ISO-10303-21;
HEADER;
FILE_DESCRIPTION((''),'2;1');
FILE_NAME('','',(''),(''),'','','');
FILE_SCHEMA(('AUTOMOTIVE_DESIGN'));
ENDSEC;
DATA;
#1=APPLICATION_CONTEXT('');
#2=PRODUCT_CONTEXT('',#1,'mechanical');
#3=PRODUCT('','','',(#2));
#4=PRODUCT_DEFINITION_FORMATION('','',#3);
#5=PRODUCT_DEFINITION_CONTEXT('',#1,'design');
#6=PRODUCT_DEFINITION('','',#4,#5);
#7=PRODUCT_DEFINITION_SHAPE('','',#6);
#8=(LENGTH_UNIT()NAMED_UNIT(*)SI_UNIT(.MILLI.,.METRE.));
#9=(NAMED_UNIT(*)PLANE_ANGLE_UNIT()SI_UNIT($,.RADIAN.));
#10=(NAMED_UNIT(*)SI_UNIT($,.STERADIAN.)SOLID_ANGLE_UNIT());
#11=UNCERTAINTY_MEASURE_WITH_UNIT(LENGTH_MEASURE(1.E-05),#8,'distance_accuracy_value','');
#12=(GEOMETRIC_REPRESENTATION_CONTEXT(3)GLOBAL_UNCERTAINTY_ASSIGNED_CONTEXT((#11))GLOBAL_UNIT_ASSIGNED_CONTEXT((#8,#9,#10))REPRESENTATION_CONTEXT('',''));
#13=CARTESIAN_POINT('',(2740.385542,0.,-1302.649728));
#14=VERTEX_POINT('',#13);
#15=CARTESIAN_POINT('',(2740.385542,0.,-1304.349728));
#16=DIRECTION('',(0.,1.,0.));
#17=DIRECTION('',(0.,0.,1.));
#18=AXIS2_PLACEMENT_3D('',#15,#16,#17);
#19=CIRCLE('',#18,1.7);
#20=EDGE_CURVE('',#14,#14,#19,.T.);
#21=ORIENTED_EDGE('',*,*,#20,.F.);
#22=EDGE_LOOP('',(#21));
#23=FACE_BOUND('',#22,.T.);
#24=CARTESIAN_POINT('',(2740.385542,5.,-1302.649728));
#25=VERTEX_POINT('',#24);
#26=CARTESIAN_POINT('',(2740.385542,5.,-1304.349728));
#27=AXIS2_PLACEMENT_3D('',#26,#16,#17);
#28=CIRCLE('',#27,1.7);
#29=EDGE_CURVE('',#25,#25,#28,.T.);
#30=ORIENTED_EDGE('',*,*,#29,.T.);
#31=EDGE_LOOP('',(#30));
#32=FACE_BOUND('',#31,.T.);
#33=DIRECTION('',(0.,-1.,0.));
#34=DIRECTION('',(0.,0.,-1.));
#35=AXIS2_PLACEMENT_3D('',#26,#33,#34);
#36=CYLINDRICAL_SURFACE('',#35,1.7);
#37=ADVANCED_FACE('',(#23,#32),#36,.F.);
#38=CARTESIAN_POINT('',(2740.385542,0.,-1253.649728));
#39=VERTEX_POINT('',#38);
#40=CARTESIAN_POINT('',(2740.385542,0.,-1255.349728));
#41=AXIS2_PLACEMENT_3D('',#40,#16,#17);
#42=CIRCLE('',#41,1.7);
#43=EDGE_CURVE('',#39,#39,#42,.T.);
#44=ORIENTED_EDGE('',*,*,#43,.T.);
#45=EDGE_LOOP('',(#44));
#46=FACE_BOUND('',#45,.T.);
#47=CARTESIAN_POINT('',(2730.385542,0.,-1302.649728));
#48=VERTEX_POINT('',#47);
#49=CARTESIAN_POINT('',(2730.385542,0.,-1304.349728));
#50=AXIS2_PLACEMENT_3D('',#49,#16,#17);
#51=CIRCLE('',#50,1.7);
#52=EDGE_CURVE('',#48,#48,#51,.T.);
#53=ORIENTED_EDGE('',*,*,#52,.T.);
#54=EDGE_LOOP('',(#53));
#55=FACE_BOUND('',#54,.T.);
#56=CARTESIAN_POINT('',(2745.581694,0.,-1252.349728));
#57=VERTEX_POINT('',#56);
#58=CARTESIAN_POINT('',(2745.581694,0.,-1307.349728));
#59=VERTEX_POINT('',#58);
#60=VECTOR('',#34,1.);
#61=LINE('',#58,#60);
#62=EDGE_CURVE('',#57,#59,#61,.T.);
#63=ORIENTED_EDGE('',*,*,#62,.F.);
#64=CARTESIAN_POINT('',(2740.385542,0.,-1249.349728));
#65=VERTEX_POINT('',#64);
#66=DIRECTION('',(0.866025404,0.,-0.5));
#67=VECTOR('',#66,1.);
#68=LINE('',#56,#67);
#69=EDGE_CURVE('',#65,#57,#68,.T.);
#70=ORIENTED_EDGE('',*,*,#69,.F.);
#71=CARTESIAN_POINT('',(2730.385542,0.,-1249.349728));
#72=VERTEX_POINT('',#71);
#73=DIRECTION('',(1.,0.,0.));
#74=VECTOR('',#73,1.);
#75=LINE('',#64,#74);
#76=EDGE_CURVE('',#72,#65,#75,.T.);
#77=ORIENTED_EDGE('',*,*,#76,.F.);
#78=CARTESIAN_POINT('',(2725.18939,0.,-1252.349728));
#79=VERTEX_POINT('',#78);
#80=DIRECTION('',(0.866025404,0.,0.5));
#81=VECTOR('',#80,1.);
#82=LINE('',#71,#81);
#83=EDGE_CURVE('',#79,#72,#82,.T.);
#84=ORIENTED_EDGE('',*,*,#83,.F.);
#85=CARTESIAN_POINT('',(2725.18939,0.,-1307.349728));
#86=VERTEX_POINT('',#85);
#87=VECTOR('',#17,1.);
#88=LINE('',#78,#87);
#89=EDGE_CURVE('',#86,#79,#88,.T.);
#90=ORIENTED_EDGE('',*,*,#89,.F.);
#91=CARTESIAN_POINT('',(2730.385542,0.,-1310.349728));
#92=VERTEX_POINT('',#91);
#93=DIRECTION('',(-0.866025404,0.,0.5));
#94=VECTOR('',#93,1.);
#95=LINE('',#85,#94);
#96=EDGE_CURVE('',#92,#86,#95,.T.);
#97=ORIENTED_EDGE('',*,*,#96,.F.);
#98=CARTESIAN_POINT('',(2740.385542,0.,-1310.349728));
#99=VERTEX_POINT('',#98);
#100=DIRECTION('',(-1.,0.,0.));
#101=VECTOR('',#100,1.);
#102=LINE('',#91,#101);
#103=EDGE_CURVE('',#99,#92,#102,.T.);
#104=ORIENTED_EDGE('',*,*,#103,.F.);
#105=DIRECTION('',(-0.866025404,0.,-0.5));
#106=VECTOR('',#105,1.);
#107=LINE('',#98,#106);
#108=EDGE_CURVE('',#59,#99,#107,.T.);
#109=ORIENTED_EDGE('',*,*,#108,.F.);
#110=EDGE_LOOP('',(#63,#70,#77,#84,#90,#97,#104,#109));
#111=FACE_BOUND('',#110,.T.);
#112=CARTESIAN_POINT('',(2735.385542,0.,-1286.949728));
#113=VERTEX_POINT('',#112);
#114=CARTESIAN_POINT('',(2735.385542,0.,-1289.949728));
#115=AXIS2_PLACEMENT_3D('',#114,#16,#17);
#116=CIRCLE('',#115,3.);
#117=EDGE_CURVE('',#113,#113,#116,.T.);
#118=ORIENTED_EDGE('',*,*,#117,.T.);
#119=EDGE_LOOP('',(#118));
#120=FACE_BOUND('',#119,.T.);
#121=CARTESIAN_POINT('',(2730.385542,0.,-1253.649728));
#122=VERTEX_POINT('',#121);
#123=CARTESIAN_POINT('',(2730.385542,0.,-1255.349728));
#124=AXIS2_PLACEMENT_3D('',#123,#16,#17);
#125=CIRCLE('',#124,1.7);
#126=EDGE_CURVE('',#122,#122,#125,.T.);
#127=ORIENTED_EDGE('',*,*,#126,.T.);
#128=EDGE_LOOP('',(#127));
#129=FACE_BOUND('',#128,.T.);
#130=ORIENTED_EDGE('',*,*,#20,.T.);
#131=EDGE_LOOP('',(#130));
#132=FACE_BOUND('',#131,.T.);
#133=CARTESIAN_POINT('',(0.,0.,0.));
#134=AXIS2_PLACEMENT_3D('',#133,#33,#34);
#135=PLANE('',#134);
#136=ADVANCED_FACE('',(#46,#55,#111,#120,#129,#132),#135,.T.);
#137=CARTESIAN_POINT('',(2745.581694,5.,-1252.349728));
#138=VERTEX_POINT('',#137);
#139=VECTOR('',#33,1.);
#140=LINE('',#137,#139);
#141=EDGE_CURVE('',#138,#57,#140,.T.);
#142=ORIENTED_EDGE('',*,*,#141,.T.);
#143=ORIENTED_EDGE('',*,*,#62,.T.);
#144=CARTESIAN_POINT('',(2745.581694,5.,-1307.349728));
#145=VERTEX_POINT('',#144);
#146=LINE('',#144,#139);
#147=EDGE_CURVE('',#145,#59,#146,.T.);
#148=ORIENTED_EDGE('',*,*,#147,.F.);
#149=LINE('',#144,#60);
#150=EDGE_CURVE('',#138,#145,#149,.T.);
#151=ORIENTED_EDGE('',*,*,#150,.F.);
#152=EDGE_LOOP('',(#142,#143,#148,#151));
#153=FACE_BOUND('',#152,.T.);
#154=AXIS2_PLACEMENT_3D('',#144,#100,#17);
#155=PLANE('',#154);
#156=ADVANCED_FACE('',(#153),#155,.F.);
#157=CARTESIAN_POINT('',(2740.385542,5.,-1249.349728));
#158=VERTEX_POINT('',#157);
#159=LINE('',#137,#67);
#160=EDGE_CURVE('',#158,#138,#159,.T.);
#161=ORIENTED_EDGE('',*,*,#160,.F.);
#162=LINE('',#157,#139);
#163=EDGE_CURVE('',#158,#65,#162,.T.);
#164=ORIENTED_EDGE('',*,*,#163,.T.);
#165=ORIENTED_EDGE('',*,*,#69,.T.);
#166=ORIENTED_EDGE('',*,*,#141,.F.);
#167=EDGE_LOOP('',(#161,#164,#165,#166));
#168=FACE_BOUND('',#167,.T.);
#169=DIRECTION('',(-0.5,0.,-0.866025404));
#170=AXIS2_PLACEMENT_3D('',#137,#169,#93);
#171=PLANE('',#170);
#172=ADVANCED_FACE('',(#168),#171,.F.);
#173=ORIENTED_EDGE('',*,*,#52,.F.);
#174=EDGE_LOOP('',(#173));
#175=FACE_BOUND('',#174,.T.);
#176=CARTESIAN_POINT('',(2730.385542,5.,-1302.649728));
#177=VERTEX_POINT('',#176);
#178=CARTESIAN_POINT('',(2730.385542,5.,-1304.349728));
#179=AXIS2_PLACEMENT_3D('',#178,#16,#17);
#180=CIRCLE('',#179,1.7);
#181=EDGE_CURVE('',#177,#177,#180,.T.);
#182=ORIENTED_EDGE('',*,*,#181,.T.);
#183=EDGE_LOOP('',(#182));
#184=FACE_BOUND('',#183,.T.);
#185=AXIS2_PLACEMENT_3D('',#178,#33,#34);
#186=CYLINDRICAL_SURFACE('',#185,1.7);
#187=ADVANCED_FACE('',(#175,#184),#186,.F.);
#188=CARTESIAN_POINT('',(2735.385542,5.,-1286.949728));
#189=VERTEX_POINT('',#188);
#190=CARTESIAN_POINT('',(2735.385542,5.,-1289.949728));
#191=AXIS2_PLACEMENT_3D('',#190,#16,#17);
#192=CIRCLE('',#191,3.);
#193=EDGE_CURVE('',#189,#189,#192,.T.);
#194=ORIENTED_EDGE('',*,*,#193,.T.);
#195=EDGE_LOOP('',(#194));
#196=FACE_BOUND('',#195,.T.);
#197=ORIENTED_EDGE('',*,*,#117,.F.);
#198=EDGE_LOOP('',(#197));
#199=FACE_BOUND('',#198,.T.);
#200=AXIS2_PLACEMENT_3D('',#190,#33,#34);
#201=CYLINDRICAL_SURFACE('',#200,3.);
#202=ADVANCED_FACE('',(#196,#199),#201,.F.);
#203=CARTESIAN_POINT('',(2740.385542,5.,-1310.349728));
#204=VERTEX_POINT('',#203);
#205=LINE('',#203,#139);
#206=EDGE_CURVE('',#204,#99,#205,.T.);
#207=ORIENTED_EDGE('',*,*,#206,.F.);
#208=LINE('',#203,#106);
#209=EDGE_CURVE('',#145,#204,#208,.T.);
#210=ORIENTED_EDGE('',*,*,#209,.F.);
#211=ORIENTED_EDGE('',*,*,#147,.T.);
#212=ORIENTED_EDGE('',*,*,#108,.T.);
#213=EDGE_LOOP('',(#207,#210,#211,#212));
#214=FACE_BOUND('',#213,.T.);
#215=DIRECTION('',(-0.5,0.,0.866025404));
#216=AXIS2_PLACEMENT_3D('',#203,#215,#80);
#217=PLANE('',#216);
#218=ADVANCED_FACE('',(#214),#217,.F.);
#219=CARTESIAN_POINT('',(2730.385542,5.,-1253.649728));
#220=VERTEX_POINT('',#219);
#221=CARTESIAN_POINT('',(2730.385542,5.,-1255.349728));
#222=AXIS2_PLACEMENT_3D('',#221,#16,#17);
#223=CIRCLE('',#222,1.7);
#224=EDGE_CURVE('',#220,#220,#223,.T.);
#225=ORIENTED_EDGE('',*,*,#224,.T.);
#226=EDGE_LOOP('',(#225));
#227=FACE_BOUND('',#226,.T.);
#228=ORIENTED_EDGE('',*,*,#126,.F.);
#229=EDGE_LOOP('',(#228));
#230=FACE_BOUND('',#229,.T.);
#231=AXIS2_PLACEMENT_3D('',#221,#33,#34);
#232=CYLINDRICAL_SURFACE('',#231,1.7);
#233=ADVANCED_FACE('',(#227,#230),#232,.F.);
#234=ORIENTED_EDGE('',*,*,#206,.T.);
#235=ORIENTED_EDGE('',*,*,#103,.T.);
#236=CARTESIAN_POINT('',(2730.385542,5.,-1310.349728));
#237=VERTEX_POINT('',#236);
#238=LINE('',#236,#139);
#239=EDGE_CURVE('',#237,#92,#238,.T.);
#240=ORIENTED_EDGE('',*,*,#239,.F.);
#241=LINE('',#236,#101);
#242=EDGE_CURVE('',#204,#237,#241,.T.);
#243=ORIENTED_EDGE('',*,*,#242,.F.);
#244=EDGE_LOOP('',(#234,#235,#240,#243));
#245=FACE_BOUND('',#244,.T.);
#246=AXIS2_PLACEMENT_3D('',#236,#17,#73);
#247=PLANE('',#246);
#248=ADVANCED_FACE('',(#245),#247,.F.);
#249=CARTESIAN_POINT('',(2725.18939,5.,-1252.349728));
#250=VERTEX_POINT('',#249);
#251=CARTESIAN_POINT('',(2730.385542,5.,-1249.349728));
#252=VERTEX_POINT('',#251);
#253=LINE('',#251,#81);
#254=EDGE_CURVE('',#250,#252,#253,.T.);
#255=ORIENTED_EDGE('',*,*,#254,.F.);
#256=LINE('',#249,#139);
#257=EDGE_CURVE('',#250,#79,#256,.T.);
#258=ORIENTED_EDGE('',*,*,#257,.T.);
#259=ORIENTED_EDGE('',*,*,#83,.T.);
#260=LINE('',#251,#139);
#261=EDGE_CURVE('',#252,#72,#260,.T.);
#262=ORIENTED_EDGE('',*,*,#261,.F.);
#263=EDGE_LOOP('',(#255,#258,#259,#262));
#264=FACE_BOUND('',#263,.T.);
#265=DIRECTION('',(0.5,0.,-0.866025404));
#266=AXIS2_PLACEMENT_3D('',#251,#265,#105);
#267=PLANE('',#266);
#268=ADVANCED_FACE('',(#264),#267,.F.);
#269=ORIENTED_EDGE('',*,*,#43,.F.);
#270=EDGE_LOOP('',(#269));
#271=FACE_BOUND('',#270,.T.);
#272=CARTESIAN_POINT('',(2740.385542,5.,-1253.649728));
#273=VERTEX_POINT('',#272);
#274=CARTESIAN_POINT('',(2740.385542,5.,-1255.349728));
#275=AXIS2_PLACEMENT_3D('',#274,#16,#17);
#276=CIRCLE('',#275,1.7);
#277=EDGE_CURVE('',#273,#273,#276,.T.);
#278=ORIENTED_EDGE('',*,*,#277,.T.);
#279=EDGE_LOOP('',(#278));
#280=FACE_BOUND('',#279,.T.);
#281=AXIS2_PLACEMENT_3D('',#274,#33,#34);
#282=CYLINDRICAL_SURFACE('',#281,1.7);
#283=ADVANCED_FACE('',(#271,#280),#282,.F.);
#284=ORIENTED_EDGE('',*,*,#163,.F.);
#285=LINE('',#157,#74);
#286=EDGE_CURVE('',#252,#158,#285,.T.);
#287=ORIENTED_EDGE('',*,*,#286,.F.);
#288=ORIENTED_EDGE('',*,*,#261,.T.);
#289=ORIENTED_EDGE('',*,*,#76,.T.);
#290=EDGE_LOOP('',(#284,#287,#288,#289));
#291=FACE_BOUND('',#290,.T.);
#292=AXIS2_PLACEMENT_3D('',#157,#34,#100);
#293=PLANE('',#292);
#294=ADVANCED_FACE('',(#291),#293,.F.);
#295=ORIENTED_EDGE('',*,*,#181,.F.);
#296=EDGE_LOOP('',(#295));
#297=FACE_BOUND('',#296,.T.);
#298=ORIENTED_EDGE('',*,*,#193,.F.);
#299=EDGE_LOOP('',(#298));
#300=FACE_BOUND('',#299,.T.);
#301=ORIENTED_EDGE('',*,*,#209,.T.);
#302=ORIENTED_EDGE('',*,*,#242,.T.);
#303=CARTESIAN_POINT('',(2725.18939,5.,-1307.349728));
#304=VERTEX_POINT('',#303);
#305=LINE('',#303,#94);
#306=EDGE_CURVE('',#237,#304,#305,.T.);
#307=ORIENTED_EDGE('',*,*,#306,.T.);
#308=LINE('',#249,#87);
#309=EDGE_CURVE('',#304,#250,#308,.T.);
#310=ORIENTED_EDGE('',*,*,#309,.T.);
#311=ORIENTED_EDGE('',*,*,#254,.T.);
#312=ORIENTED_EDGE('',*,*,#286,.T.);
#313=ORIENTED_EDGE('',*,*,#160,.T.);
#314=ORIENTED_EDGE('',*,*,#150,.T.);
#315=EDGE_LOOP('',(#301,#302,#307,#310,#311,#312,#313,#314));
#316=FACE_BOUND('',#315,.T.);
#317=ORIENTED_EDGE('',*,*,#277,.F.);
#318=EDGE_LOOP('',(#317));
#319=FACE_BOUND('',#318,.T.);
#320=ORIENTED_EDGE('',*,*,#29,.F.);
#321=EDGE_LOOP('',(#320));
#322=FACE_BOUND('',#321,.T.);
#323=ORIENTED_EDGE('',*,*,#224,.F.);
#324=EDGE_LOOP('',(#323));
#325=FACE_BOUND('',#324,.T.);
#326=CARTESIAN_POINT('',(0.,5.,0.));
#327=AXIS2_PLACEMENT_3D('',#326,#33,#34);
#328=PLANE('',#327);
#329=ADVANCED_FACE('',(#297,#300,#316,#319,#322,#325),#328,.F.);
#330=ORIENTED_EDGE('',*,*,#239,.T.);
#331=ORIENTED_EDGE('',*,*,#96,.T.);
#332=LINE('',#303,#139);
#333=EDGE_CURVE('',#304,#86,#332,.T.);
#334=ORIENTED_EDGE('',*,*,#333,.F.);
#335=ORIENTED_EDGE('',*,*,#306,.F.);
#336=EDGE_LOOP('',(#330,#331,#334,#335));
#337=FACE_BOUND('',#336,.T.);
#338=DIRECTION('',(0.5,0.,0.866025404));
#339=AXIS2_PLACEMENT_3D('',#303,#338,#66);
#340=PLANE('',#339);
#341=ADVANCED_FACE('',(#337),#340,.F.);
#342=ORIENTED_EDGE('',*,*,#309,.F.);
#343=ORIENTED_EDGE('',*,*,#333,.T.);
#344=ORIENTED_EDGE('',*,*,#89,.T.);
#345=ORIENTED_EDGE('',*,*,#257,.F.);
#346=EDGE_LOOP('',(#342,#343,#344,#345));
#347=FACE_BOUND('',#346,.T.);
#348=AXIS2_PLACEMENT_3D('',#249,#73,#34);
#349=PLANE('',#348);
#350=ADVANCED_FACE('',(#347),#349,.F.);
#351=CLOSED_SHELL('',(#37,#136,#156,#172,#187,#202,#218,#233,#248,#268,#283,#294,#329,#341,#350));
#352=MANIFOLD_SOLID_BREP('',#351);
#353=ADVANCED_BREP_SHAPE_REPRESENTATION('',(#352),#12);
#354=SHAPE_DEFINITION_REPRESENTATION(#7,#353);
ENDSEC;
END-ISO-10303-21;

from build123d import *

# Parameters (mm, degrees)
SKETCH_1_R      = 1.7
SKETCH_1_R_2    = 3
EXTRUDE_1_DEPTH = 5


with BuildPart() as part:
    # 草图1 → 凸台-拉伸1 (new body)
    with BuildSketch(Plane(origin=(0, 0, 0), x_dir=(1, 0, 0), z_dir=(0, 1, 0))):
        Polygon((2730.385541969, 1310.349727583), (2740.385541969, 1310.349727583), (2745.581694392, 1307.349727583), (2745.581694392, 1252.349727583), (2740.385541969, 1249.349727583), (2730.385541969, 1249.349727583), (2725.189389547, 1252.349727583), (2725.189389547, 1307.349727583), align=None)
        with Locations(Location((2740.385541969, 1255.349727583, 0), (0, 0, 270))):
            Circle(SKETCH_1_R, mode=Mode.SUBTRACT)
        with Locations(Location((2730.385541969, 1255.349727583, 0), (0, 0, 270))):
            Circle(SKETCH_1_R, mode=Mode.SUBTRACT)
        with Locations(Location((2735.385541969, 1289.949727583, 0), (0, 0, 270))):
            Circle(SKETCH_1_R_2, mode=Mode.SUBTRACT)
        with Locations(Location((2730.385541969, 1304.349727583, 0), (0, 0, 270))):
            Circle(SKETCH_1_R, mode=Mode.SUBTRACT)
        with Locations(Location((2740.385541969, 1304.349727583, 0), (0, 0, 270))):
            Circle(SKETCH_1_R, mode=Mode.SUBTRACT)
    extrude(amount=EXTRUDE_1_DEPTH)


solid = part.part
